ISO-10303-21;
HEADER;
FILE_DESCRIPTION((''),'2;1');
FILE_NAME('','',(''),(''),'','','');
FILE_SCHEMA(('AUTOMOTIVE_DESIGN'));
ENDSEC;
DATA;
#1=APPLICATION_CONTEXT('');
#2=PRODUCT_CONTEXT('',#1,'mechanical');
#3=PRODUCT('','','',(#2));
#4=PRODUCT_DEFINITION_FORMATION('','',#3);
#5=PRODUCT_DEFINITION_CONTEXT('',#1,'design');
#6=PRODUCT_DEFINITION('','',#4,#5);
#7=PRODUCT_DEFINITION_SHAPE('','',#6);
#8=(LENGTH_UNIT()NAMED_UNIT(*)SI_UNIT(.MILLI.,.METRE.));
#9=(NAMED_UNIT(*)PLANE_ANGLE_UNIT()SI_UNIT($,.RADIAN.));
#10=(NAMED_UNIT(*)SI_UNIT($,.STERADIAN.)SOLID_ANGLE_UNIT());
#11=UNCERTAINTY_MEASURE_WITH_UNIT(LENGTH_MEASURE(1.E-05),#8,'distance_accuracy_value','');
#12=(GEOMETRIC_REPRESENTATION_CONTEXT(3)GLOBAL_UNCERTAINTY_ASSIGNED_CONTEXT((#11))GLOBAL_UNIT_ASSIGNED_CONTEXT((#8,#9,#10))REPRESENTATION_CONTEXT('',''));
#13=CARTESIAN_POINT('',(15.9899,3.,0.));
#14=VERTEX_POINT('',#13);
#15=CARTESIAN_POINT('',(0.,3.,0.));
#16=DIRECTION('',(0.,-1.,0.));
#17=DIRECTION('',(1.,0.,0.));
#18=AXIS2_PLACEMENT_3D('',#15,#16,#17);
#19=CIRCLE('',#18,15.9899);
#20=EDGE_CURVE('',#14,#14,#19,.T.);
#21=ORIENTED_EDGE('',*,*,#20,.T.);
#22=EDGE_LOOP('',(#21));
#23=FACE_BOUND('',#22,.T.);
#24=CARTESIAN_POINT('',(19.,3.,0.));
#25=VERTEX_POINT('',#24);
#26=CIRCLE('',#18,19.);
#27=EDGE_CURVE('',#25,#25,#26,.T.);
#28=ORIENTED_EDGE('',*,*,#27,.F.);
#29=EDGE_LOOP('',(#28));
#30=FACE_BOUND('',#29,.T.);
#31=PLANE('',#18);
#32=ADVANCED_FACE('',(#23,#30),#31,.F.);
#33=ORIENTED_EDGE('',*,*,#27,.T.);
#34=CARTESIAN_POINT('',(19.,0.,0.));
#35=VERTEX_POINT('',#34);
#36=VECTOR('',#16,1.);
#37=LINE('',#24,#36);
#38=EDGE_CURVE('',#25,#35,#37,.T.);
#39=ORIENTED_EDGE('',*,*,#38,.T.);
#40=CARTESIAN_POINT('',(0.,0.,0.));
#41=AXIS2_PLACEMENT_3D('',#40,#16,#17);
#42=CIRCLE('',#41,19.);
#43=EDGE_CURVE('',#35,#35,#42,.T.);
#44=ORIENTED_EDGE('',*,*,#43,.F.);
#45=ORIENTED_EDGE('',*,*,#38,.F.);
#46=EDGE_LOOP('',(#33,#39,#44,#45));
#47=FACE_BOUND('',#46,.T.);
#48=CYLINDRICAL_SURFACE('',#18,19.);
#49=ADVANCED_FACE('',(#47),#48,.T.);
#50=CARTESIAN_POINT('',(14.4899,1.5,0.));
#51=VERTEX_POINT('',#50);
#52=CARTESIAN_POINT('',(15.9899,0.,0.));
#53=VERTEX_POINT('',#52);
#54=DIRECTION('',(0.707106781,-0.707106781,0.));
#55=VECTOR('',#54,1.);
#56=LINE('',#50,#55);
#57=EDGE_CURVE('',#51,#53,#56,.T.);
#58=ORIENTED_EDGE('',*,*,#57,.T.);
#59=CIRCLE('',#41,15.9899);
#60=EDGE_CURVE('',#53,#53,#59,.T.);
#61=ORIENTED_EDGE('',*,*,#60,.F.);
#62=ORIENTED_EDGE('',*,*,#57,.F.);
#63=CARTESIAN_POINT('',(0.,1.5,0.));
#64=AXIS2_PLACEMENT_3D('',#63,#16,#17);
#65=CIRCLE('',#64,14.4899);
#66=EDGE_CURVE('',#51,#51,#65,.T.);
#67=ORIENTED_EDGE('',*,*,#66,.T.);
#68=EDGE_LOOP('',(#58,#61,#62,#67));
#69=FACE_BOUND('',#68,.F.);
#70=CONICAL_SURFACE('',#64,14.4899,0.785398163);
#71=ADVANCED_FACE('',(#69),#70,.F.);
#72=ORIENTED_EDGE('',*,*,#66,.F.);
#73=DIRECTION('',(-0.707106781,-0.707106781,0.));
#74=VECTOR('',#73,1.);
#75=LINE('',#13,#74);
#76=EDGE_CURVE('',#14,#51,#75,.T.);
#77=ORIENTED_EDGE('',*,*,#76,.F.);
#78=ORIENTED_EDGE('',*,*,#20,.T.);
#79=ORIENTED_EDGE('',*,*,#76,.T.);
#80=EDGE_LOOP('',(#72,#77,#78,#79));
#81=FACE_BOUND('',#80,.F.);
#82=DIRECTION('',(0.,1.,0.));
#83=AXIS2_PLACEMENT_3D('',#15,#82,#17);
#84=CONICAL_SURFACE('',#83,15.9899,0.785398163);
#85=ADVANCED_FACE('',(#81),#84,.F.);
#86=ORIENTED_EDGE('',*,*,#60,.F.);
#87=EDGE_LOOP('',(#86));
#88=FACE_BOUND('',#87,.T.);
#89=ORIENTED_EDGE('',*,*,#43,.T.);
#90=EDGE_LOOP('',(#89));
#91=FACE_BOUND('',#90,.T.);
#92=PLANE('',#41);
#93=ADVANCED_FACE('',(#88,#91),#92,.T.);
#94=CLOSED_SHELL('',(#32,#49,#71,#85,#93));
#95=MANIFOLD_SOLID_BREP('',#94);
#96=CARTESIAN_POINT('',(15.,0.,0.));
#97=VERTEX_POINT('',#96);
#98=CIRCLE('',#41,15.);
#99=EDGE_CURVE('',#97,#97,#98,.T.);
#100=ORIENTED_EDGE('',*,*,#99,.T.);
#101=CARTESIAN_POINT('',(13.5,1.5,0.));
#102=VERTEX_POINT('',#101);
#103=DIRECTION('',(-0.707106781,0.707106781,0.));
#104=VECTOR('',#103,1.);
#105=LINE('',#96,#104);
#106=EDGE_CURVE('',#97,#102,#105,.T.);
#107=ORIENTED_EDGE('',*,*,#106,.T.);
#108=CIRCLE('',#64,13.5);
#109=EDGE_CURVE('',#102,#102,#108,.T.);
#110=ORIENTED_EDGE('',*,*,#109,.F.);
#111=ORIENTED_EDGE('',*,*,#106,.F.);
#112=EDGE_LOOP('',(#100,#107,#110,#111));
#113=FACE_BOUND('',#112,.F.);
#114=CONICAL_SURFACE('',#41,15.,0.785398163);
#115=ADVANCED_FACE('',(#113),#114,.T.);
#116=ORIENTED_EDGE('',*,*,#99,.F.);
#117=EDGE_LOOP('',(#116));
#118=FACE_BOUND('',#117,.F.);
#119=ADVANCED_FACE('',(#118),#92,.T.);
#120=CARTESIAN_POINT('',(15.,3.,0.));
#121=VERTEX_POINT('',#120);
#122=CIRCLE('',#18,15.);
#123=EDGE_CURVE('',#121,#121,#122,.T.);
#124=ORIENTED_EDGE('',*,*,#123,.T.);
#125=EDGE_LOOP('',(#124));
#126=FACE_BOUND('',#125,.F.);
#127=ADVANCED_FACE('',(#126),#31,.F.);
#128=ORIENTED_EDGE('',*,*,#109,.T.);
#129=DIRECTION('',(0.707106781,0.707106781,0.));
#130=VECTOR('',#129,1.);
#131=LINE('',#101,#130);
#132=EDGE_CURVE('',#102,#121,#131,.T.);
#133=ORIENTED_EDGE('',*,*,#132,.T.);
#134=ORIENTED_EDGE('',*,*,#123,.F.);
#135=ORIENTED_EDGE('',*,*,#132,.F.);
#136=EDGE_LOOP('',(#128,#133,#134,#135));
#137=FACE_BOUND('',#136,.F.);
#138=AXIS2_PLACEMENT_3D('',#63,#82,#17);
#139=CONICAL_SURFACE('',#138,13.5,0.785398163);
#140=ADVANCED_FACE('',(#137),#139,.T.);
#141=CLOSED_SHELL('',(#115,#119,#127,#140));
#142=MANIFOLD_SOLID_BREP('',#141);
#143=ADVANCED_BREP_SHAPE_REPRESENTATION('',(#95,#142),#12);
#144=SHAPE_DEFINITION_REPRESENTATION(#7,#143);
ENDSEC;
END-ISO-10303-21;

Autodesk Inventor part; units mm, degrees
ref_plane "YZ Plane" through (0, 0, 0) normal (1, 0, 0) x (0, 1, 0)
ref_plane "XZ Plane" through (0, 0, 0) normal (0, 1, 0) x (-1, 0, 0)
ref_plane "XY Plane" through (0, 0, 0) normal (0, 0, 1) x (1, 0, 0)
sketch "Sketch1" plane through (0, 0, 0) normal (0, 0, 1) x (1, 0, 0)
  line L0 (0, 0) -> (0, -11.2698) construction
  line L1 (0, 0) -> (15, 0)
  line L2 (15, 0) -> (13.5, 1.5)
  line L3 (13.5, 1.5) -> (15, 3)
  line L4 (15, 3) -> (0, 3)
  line L5 (0, 3) -> (0, 0)
  line L6 (15.9899, 3) -> (14.4899, 1.5)
  line L7 (14.4899, 1.5) -> (15.9899, 0)
  line L8 (15.9899, 3) -> (19, 3)
  line L9 (19, 3) -> (19, 0)
  line L10 (19, 0) -> (15.9899, 0)
  point P0 (0, 1.5)
  dimension "d0" = 3
  dimension "d1" = 30
  dimension "d2" = 45
  dimension "d3" = 0.7
  dimension "d6" = 38
revolve "Revolution1" add sketch "Sketch1" angle 360 about axis through (0, 0, 0) along (0, -1, 0)
properties part number "button_test"
